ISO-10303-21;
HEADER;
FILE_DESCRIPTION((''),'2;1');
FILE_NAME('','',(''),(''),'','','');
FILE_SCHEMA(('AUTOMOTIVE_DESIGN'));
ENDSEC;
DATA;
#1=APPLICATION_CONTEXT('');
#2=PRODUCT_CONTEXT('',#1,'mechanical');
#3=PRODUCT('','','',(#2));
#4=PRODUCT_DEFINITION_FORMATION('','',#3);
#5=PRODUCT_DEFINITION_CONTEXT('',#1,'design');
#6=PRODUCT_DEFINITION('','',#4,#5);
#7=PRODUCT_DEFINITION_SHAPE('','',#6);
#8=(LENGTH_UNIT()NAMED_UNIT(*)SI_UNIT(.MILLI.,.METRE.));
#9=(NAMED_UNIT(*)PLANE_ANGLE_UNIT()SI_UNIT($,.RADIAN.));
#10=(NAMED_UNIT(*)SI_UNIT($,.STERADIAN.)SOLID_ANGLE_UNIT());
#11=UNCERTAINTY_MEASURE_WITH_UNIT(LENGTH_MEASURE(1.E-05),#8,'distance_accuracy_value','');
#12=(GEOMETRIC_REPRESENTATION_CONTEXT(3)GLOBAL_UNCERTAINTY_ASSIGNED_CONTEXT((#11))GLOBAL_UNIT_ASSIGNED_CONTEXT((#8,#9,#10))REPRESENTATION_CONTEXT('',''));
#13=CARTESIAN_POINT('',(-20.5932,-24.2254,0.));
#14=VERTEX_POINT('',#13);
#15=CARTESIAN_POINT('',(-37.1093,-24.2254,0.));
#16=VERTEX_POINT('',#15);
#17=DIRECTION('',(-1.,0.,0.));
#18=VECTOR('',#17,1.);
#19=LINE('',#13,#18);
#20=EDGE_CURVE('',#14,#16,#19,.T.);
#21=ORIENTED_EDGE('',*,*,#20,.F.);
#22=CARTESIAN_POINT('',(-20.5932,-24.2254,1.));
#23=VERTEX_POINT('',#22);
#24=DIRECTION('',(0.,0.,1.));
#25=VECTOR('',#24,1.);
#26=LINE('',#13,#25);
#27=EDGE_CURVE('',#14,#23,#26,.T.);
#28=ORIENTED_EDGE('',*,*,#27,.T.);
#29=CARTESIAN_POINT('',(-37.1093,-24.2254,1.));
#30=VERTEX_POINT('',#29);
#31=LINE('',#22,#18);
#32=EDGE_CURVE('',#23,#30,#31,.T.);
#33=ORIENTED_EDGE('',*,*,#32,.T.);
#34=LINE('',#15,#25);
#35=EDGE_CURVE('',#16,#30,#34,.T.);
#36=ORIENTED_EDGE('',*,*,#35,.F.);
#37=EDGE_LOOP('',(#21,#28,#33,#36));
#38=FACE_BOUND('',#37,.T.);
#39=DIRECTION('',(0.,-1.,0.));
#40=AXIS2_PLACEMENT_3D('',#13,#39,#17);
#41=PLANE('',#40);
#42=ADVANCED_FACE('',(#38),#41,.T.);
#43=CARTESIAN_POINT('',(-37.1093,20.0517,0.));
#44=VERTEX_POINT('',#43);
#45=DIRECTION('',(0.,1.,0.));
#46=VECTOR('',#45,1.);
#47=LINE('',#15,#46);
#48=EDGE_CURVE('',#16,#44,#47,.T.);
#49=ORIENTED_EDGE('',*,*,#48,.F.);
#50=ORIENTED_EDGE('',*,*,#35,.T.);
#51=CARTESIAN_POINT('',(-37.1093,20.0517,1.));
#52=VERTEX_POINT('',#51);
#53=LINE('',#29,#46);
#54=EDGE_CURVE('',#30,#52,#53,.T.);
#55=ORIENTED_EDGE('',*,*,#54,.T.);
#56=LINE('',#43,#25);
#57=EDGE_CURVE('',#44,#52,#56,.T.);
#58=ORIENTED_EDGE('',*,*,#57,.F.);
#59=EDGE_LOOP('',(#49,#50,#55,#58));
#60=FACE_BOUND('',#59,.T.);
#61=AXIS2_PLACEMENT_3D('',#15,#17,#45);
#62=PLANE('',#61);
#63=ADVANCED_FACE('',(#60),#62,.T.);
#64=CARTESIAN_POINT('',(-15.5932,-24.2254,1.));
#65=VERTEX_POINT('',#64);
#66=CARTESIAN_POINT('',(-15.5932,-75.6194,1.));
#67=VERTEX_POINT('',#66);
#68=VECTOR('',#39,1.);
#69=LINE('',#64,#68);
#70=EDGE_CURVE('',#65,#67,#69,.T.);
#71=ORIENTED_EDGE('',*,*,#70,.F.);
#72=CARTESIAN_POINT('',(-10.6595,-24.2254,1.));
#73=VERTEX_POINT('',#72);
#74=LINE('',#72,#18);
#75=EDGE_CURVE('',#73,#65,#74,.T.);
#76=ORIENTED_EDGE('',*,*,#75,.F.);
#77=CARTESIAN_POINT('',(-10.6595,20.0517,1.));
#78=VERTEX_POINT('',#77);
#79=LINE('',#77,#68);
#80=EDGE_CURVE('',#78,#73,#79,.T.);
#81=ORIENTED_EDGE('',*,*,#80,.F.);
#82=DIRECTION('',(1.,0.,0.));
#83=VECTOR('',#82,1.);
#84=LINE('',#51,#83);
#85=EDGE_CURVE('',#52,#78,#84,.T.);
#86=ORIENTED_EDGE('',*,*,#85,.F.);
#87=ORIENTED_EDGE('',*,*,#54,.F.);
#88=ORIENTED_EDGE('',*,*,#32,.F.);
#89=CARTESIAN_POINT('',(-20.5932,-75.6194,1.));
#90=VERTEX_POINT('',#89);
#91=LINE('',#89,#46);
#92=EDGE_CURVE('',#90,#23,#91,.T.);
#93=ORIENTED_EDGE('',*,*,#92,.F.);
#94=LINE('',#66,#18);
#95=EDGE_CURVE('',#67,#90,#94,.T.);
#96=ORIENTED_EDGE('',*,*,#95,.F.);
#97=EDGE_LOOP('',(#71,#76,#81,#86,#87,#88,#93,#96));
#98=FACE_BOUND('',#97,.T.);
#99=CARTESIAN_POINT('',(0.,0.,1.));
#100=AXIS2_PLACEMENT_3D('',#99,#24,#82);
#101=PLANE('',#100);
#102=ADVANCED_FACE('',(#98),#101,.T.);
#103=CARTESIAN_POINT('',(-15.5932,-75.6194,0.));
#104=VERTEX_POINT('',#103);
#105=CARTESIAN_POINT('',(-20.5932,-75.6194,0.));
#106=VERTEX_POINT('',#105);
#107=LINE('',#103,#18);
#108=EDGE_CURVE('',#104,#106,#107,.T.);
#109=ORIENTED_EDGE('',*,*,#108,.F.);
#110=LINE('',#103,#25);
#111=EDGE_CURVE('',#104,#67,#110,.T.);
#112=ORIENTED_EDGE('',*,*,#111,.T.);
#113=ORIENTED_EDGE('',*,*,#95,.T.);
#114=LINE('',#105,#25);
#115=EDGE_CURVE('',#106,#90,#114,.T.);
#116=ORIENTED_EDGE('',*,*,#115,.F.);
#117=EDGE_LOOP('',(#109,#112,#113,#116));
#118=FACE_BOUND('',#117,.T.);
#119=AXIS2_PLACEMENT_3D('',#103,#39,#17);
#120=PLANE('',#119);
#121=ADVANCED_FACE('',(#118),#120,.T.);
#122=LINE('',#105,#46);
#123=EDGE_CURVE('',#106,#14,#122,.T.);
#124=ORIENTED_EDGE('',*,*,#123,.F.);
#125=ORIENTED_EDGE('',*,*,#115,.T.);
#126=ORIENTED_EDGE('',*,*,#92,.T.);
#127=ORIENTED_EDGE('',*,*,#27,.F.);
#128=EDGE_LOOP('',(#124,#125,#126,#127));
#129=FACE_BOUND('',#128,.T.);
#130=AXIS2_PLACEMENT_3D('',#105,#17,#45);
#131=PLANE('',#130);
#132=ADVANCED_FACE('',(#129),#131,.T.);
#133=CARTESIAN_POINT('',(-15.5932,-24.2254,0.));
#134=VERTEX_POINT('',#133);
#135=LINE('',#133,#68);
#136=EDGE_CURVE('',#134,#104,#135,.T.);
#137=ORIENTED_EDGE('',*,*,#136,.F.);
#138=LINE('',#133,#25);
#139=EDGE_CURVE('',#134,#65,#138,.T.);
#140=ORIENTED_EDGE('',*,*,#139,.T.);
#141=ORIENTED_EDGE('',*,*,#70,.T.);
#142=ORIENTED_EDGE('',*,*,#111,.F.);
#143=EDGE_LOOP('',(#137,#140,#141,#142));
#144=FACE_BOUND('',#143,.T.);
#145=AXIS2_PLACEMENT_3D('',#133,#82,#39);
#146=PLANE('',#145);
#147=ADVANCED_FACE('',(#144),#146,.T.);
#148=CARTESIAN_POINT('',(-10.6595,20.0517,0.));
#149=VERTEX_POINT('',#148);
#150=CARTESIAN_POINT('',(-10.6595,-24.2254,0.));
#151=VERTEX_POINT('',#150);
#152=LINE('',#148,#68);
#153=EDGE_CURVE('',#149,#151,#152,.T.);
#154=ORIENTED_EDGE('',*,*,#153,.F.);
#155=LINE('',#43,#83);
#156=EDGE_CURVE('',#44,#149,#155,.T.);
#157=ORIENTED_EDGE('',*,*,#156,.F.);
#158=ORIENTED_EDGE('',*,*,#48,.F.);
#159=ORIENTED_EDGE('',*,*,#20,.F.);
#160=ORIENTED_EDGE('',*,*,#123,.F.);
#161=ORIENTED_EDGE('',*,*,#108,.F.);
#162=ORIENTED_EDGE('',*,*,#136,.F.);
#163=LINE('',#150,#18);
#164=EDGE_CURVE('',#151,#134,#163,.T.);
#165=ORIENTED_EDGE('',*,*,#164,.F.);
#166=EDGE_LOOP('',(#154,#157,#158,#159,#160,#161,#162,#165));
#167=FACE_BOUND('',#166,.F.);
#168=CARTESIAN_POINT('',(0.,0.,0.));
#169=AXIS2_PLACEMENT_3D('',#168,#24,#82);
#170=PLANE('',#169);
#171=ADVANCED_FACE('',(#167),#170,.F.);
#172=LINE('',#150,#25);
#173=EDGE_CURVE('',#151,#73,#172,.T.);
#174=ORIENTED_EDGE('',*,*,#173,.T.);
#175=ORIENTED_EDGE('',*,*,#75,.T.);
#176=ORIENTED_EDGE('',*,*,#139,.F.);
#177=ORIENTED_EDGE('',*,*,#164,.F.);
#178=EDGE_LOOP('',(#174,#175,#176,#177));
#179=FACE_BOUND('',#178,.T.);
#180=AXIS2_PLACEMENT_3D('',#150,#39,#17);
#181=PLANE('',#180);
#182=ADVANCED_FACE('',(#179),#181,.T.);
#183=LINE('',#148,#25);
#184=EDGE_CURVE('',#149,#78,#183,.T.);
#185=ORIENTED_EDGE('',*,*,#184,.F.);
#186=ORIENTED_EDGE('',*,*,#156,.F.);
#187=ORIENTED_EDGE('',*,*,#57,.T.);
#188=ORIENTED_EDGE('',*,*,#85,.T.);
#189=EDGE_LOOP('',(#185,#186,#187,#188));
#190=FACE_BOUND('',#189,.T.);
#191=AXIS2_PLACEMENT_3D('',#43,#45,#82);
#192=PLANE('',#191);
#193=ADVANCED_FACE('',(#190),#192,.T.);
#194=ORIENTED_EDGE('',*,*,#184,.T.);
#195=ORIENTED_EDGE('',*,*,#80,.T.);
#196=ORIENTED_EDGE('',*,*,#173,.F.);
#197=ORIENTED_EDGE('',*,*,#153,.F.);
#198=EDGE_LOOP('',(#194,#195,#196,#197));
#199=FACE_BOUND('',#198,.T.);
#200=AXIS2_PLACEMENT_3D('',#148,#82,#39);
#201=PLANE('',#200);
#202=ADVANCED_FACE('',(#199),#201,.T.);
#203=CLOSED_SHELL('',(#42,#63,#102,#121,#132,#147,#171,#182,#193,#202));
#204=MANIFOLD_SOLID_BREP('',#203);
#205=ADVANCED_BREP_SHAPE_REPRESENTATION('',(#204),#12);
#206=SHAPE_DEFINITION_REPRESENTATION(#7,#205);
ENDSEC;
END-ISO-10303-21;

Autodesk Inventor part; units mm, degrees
ref_plane "YZ Plane" through (0, 0, 0) normal (1, 0, 0) x (0, 1, 0)
ref_plane "XZ Plane" through (0, 0, 0) normal (0, 1, 0) x (-1, 0, 0)
ref_plane "XY Plane" through (0, 0, 0) normal (0, 0, 1) x (1, 0, 0)
sketch "Esboço1" plane through (0, 0, 0) normal (0, 0, 1) x (1, 0, 0)
  line L0 (-37.1093, 20.0517) -> (-10.6595, 20.0517)
  line L1 (-10.6595, 20.0517) -> (-37.1093, 20.0517)
  line L2 (-10.6595, 20.0517) -> (-10.6595, -24.2254)
  line L3 (-10.6595, -24.2254) -> (-15.5932, -24.2254)
  line L4 (-15.5932, -24.2254) -> (-15.5932, -75.6194)
  line L5 (-15.5932, -24.2254) -> (-15.5932, -75.6194)
  line L6 (-15.5932, -75.6194) -> (-20.5932, -75.6194)
  line L7 (-20.5932, -75.6194) -> (-20.5932, -24.2254)
  line L8 (-20.5932, -75.6194) -> (-20.5932, -24.2254)
  line L9 (-20.5932, -24.2254) -> (-37.1093, -24.2254)
  line L10 (-20.5932, -24.2254) -> (-37.1093, -24.2254)
  line L11 (-37.1093, -24.2254) -> (-37.1093, 20.0517)
  point P0 (0, 0)
  point P1 (0, 0)
extrude "Extrusão1" add sketch "Esboço1" along normal blind 1
properties part number "Tampa de trás 10-06-2016"
